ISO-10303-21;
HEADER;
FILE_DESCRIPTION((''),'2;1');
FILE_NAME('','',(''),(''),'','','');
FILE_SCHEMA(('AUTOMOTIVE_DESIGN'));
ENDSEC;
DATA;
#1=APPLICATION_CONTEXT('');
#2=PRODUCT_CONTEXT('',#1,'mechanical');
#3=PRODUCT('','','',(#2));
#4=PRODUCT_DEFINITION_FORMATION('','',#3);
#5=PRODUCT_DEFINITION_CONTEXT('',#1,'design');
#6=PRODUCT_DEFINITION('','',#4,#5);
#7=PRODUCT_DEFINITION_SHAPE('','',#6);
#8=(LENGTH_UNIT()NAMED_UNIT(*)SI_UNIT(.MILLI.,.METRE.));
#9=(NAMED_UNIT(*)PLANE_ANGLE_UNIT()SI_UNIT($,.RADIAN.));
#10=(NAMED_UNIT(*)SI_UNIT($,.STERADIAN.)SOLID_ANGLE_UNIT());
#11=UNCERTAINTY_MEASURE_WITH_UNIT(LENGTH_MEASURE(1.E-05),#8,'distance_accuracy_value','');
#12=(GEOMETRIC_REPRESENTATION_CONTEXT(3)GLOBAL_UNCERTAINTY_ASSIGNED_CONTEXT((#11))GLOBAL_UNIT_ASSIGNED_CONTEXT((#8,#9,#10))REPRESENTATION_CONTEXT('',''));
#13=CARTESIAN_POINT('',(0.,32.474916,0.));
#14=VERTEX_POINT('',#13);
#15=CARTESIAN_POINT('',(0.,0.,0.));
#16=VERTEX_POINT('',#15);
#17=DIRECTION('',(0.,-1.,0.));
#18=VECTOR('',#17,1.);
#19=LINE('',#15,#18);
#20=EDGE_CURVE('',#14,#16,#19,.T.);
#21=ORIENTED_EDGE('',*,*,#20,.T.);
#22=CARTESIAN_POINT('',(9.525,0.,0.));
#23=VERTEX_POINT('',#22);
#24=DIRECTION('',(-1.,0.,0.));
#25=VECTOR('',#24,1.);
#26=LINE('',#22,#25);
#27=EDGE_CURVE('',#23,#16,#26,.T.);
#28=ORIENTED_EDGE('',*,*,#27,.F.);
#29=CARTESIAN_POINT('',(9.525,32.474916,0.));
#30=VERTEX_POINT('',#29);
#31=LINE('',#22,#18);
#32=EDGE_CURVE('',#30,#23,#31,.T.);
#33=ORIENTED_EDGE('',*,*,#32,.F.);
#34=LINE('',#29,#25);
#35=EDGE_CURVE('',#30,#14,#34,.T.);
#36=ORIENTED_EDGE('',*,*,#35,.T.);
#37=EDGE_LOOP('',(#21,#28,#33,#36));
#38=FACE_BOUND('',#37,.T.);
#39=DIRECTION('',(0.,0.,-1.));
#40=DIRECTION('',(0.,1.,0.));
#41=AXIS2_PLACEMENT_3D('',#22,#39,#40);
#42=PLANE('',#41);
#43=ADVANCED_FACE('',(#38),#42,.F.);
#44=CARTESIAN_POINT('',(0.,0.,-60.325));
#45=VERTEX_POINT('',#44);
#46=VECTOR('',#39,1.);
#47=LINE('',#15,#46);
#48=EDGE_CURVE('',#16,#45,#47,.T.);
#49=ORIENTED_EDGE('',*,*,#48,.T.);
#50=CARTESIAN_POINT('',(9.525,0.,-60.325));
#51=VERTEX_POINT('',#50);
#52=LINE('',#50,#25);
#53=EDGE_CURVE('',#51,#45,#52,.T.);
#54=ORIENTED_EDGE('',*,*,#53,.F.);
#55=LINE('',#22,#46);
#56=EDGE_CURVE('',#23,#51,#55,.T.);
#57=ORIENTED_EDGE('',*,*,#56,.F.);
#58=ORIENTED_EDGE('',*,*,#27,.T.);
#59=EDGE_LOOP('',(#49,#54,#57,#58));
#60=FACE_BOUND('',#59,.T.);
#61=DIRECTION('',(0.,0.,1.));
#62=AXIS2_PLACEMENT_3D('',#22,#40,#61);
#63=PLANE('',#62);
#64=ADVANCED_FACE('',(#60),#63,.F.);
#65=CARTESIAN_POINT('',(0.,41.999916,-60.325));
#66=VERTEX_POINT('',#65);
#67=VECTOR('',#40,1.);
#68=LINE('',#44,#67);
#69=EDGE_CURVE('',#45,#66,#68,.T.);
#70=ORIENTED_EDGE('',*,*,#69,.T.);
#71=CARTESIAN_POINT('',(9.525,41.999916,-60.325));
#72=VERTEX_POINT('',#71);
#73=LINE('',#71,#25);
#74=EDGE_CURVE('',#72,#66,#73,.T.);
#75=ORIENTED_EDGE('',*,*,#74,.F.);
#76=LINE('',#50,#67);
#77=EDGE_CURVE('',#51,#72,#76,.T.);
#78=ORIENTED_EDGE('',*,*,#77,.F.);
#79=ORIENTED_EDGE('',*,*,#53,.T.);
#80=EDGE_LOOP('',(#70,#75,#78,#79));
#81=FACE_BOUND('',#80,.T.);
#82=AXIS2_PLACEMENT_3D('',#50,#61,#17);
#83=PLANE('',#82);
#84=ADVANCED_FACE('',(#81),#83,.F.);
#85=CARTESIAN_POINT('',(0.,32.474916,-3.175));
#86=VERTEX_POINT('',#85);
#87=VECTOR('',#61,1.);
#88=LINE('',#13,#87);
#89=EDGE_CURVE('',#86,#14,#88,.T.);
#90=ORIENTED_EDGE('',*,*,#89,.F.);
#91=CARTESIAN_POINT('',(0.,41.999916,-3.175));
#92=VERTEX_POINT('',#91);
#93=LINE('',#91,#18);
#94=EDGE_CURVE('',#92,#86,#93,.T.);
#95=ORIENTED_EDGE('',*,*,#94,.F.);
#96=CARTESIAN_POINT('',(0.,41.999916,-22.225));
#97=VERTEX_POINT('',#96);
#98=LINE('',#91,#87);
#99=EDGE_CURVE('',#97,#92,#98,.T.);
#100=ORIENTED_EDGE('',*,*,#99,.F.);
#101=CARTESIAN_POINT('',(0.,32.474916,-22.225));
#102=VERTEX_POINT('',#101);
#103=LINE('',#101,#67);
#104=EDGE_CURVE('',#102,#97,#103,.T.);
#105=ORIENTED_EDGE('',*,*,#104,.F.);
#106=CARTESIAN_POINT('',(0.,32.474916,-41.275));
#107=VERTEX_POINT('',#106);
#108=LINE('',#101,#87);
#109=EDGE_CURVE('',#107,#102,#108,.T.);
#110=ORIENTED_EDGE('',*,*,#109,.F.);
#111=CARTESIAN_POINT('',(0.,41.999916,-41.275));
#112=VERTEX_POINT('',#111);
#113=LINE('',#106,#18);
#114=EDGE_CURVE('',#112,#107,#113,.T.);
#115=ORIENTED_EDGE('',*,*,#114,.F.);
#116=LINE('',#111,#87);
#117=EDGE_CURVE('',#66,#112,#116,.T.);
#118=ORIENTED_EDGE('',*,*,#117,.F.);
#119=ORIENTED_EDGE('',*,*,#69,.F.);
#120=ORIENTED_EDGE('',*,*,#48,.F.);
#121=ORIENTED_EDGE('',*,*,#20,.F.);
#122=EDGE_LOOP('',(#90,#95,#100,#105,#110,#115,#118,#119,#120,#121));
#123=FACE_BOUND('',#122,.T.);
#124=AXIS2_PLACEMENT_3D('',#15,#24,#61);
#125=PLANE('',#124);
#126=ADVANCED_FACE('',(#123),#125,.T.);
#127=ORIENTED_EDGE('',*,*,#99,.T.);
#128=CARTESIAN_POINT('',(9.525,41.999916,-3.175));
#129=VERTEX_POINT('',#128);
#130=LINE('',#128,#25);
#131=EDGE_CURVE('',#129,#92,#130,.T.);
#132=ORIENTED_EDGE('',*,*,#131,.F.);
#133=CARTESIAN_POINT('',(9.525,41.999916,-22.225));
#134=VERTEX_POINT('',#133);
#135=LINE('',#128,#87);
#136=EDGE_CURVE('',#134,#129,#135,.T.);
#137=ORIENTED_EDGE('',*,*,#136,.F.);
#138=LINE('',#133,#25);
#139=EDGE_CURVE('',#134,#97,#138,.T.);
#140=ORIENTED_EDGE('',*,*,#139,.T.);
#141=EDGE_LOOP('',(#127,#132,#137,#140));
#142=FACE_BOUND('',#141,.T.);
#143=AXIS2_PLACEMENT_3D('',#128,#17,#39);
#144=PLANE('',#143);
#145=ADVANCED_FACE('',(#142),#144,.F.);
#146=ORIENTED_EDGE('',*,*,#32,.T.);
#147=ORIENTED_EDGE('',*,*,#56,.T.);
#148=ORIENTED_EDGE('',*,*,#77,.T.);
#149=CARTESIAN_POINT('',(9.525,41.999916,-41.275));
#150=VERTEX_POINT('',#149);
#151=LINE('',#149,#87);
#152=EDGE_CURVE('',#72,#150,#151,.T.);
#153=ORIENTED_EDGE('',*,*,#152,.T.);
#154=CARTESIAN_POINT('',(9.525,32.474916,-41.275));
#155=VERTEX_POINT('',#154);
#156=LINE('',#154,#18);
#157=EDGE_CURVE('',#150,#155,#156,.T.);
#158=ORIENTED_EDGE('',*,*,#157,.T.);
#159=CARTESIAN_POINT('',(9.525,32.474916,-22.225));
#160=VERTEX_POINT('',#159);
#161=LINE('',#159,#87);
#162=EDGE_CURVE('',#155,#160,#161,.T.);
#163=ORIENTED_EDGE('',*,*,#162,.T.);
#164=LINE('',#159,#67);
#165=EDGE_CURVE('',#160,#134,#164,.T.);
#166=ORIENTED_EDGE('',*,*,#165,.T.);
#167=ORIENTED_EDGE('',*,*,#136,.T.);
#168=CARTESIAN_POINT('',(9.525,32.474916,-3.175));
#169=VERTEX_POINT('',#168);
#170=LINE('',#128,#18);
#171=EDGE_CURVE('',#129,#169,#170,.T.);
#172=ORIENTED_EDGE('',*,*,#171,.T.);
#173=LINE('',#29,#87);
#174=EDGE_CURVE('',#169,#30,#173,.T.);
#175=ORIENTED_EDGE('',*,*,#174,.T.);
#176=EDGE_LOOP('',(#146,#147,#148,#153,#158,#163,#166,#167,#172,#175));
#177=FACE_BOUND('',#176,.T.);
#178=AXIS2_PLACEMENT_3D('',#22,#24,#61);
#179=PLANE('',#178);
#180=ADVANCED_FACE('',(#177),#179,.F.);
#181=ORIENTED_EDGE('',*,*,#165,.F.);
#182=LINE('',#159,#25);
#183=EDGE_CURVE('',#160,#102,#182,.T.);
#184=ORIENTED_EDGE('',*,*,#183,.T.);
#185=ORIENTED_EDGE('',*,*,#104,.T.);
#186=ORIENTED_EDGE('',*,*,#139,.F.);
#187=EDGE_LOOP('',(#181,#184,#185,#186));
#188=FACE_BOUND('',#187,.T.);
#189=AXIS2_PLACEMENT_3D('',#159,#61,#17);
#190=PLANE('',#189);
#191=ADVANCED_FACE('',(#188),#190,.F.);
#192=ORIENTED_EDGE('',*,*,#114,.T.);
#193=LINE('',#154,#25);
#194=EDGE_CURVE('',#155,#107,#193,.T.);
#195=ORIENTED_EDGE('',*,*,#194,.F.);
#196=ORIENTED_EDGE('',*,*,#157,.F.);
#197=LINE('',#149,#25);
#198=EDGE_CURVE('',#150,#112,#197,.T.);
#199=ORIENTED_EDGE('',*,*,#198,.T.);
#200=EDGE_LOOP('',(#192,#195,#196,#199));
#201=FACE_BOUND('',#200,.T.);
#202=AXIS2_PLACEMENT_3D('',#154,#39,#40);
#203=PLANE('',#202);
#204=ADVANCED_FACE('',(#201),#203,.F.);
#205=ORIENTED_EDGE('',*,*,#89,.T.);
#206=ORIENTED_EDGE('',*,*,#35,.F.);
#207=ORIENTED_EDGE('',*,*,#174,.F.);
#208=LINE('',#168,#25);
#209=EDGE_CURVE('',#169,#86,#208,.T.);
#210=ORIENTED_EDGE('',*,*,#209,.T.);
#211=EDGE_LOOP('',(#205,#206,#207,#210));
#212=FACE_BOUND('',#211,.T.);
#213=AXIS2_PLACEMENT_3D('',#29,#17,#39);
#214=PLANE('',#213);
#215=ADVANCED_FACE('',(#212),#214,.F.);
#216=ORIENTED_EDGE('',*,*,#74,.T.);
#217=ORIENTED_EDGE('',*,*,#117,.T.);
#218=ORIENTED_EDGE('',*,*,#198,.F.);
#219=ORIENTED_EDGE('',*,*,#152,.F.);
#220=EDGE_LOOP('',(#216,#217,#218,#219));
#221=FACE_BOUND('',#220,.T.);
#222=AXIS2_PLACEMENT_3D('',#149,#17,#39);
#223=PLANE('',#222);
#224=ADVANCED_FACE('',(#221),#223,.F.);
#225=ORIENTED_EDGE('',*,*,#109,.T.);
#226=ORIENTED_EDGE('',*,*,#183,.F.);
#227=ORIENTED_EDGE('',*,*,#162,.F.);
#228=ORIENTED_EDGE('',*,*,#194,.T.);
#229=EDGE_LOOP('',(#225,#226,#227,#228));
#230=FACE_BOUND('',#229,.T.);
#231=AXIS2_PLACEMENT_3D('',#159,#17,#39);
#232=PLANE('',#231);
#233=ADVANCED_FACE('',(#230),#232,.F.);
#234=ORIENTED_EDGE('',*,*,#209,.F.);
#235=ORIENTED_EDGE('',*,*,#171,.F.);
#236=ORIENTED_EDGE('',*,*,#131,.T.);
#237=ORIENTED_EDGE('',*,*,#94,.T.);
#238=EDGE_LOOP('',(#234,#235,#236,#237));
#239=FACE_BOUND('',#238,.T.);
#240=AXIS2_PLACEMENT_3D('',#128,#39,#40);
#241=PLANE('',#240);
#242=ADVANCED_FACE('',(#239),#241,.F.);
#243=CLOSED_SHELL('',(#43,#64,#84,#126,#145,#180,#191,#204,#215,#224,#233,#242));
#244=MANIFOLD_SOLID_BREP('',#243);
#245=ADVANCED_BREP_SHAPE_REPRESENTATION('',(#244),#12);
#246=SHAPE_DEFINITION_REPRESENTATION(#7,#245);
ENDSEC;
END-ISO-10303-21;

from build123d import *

# Parameters (mm, degrees)
BOSS_EXTRUDE1_DEPTH = 9.525


with BuildPart() as part:
    # Sketch1 → Boss-Extrude1 (new body)
    with BuildSketch(Plane(origin=(0, 0, 0), x_dir=(0, 0, -1), z_dir=(1, 0, 0))):
        Polygon((41.275, 41.999916), (60.325, 41.999916), (60.325, 0), (0, 0), (0, 32.474916), (3.175, 32.474916), (3.175, 41.999916), (22.225, 41.999916), (22.225, 32.474916), (41.275, 32.474916), align=None)
    extrude(amount=BOSS_EXTRUDE1_DEPTH)


solid = part.part
